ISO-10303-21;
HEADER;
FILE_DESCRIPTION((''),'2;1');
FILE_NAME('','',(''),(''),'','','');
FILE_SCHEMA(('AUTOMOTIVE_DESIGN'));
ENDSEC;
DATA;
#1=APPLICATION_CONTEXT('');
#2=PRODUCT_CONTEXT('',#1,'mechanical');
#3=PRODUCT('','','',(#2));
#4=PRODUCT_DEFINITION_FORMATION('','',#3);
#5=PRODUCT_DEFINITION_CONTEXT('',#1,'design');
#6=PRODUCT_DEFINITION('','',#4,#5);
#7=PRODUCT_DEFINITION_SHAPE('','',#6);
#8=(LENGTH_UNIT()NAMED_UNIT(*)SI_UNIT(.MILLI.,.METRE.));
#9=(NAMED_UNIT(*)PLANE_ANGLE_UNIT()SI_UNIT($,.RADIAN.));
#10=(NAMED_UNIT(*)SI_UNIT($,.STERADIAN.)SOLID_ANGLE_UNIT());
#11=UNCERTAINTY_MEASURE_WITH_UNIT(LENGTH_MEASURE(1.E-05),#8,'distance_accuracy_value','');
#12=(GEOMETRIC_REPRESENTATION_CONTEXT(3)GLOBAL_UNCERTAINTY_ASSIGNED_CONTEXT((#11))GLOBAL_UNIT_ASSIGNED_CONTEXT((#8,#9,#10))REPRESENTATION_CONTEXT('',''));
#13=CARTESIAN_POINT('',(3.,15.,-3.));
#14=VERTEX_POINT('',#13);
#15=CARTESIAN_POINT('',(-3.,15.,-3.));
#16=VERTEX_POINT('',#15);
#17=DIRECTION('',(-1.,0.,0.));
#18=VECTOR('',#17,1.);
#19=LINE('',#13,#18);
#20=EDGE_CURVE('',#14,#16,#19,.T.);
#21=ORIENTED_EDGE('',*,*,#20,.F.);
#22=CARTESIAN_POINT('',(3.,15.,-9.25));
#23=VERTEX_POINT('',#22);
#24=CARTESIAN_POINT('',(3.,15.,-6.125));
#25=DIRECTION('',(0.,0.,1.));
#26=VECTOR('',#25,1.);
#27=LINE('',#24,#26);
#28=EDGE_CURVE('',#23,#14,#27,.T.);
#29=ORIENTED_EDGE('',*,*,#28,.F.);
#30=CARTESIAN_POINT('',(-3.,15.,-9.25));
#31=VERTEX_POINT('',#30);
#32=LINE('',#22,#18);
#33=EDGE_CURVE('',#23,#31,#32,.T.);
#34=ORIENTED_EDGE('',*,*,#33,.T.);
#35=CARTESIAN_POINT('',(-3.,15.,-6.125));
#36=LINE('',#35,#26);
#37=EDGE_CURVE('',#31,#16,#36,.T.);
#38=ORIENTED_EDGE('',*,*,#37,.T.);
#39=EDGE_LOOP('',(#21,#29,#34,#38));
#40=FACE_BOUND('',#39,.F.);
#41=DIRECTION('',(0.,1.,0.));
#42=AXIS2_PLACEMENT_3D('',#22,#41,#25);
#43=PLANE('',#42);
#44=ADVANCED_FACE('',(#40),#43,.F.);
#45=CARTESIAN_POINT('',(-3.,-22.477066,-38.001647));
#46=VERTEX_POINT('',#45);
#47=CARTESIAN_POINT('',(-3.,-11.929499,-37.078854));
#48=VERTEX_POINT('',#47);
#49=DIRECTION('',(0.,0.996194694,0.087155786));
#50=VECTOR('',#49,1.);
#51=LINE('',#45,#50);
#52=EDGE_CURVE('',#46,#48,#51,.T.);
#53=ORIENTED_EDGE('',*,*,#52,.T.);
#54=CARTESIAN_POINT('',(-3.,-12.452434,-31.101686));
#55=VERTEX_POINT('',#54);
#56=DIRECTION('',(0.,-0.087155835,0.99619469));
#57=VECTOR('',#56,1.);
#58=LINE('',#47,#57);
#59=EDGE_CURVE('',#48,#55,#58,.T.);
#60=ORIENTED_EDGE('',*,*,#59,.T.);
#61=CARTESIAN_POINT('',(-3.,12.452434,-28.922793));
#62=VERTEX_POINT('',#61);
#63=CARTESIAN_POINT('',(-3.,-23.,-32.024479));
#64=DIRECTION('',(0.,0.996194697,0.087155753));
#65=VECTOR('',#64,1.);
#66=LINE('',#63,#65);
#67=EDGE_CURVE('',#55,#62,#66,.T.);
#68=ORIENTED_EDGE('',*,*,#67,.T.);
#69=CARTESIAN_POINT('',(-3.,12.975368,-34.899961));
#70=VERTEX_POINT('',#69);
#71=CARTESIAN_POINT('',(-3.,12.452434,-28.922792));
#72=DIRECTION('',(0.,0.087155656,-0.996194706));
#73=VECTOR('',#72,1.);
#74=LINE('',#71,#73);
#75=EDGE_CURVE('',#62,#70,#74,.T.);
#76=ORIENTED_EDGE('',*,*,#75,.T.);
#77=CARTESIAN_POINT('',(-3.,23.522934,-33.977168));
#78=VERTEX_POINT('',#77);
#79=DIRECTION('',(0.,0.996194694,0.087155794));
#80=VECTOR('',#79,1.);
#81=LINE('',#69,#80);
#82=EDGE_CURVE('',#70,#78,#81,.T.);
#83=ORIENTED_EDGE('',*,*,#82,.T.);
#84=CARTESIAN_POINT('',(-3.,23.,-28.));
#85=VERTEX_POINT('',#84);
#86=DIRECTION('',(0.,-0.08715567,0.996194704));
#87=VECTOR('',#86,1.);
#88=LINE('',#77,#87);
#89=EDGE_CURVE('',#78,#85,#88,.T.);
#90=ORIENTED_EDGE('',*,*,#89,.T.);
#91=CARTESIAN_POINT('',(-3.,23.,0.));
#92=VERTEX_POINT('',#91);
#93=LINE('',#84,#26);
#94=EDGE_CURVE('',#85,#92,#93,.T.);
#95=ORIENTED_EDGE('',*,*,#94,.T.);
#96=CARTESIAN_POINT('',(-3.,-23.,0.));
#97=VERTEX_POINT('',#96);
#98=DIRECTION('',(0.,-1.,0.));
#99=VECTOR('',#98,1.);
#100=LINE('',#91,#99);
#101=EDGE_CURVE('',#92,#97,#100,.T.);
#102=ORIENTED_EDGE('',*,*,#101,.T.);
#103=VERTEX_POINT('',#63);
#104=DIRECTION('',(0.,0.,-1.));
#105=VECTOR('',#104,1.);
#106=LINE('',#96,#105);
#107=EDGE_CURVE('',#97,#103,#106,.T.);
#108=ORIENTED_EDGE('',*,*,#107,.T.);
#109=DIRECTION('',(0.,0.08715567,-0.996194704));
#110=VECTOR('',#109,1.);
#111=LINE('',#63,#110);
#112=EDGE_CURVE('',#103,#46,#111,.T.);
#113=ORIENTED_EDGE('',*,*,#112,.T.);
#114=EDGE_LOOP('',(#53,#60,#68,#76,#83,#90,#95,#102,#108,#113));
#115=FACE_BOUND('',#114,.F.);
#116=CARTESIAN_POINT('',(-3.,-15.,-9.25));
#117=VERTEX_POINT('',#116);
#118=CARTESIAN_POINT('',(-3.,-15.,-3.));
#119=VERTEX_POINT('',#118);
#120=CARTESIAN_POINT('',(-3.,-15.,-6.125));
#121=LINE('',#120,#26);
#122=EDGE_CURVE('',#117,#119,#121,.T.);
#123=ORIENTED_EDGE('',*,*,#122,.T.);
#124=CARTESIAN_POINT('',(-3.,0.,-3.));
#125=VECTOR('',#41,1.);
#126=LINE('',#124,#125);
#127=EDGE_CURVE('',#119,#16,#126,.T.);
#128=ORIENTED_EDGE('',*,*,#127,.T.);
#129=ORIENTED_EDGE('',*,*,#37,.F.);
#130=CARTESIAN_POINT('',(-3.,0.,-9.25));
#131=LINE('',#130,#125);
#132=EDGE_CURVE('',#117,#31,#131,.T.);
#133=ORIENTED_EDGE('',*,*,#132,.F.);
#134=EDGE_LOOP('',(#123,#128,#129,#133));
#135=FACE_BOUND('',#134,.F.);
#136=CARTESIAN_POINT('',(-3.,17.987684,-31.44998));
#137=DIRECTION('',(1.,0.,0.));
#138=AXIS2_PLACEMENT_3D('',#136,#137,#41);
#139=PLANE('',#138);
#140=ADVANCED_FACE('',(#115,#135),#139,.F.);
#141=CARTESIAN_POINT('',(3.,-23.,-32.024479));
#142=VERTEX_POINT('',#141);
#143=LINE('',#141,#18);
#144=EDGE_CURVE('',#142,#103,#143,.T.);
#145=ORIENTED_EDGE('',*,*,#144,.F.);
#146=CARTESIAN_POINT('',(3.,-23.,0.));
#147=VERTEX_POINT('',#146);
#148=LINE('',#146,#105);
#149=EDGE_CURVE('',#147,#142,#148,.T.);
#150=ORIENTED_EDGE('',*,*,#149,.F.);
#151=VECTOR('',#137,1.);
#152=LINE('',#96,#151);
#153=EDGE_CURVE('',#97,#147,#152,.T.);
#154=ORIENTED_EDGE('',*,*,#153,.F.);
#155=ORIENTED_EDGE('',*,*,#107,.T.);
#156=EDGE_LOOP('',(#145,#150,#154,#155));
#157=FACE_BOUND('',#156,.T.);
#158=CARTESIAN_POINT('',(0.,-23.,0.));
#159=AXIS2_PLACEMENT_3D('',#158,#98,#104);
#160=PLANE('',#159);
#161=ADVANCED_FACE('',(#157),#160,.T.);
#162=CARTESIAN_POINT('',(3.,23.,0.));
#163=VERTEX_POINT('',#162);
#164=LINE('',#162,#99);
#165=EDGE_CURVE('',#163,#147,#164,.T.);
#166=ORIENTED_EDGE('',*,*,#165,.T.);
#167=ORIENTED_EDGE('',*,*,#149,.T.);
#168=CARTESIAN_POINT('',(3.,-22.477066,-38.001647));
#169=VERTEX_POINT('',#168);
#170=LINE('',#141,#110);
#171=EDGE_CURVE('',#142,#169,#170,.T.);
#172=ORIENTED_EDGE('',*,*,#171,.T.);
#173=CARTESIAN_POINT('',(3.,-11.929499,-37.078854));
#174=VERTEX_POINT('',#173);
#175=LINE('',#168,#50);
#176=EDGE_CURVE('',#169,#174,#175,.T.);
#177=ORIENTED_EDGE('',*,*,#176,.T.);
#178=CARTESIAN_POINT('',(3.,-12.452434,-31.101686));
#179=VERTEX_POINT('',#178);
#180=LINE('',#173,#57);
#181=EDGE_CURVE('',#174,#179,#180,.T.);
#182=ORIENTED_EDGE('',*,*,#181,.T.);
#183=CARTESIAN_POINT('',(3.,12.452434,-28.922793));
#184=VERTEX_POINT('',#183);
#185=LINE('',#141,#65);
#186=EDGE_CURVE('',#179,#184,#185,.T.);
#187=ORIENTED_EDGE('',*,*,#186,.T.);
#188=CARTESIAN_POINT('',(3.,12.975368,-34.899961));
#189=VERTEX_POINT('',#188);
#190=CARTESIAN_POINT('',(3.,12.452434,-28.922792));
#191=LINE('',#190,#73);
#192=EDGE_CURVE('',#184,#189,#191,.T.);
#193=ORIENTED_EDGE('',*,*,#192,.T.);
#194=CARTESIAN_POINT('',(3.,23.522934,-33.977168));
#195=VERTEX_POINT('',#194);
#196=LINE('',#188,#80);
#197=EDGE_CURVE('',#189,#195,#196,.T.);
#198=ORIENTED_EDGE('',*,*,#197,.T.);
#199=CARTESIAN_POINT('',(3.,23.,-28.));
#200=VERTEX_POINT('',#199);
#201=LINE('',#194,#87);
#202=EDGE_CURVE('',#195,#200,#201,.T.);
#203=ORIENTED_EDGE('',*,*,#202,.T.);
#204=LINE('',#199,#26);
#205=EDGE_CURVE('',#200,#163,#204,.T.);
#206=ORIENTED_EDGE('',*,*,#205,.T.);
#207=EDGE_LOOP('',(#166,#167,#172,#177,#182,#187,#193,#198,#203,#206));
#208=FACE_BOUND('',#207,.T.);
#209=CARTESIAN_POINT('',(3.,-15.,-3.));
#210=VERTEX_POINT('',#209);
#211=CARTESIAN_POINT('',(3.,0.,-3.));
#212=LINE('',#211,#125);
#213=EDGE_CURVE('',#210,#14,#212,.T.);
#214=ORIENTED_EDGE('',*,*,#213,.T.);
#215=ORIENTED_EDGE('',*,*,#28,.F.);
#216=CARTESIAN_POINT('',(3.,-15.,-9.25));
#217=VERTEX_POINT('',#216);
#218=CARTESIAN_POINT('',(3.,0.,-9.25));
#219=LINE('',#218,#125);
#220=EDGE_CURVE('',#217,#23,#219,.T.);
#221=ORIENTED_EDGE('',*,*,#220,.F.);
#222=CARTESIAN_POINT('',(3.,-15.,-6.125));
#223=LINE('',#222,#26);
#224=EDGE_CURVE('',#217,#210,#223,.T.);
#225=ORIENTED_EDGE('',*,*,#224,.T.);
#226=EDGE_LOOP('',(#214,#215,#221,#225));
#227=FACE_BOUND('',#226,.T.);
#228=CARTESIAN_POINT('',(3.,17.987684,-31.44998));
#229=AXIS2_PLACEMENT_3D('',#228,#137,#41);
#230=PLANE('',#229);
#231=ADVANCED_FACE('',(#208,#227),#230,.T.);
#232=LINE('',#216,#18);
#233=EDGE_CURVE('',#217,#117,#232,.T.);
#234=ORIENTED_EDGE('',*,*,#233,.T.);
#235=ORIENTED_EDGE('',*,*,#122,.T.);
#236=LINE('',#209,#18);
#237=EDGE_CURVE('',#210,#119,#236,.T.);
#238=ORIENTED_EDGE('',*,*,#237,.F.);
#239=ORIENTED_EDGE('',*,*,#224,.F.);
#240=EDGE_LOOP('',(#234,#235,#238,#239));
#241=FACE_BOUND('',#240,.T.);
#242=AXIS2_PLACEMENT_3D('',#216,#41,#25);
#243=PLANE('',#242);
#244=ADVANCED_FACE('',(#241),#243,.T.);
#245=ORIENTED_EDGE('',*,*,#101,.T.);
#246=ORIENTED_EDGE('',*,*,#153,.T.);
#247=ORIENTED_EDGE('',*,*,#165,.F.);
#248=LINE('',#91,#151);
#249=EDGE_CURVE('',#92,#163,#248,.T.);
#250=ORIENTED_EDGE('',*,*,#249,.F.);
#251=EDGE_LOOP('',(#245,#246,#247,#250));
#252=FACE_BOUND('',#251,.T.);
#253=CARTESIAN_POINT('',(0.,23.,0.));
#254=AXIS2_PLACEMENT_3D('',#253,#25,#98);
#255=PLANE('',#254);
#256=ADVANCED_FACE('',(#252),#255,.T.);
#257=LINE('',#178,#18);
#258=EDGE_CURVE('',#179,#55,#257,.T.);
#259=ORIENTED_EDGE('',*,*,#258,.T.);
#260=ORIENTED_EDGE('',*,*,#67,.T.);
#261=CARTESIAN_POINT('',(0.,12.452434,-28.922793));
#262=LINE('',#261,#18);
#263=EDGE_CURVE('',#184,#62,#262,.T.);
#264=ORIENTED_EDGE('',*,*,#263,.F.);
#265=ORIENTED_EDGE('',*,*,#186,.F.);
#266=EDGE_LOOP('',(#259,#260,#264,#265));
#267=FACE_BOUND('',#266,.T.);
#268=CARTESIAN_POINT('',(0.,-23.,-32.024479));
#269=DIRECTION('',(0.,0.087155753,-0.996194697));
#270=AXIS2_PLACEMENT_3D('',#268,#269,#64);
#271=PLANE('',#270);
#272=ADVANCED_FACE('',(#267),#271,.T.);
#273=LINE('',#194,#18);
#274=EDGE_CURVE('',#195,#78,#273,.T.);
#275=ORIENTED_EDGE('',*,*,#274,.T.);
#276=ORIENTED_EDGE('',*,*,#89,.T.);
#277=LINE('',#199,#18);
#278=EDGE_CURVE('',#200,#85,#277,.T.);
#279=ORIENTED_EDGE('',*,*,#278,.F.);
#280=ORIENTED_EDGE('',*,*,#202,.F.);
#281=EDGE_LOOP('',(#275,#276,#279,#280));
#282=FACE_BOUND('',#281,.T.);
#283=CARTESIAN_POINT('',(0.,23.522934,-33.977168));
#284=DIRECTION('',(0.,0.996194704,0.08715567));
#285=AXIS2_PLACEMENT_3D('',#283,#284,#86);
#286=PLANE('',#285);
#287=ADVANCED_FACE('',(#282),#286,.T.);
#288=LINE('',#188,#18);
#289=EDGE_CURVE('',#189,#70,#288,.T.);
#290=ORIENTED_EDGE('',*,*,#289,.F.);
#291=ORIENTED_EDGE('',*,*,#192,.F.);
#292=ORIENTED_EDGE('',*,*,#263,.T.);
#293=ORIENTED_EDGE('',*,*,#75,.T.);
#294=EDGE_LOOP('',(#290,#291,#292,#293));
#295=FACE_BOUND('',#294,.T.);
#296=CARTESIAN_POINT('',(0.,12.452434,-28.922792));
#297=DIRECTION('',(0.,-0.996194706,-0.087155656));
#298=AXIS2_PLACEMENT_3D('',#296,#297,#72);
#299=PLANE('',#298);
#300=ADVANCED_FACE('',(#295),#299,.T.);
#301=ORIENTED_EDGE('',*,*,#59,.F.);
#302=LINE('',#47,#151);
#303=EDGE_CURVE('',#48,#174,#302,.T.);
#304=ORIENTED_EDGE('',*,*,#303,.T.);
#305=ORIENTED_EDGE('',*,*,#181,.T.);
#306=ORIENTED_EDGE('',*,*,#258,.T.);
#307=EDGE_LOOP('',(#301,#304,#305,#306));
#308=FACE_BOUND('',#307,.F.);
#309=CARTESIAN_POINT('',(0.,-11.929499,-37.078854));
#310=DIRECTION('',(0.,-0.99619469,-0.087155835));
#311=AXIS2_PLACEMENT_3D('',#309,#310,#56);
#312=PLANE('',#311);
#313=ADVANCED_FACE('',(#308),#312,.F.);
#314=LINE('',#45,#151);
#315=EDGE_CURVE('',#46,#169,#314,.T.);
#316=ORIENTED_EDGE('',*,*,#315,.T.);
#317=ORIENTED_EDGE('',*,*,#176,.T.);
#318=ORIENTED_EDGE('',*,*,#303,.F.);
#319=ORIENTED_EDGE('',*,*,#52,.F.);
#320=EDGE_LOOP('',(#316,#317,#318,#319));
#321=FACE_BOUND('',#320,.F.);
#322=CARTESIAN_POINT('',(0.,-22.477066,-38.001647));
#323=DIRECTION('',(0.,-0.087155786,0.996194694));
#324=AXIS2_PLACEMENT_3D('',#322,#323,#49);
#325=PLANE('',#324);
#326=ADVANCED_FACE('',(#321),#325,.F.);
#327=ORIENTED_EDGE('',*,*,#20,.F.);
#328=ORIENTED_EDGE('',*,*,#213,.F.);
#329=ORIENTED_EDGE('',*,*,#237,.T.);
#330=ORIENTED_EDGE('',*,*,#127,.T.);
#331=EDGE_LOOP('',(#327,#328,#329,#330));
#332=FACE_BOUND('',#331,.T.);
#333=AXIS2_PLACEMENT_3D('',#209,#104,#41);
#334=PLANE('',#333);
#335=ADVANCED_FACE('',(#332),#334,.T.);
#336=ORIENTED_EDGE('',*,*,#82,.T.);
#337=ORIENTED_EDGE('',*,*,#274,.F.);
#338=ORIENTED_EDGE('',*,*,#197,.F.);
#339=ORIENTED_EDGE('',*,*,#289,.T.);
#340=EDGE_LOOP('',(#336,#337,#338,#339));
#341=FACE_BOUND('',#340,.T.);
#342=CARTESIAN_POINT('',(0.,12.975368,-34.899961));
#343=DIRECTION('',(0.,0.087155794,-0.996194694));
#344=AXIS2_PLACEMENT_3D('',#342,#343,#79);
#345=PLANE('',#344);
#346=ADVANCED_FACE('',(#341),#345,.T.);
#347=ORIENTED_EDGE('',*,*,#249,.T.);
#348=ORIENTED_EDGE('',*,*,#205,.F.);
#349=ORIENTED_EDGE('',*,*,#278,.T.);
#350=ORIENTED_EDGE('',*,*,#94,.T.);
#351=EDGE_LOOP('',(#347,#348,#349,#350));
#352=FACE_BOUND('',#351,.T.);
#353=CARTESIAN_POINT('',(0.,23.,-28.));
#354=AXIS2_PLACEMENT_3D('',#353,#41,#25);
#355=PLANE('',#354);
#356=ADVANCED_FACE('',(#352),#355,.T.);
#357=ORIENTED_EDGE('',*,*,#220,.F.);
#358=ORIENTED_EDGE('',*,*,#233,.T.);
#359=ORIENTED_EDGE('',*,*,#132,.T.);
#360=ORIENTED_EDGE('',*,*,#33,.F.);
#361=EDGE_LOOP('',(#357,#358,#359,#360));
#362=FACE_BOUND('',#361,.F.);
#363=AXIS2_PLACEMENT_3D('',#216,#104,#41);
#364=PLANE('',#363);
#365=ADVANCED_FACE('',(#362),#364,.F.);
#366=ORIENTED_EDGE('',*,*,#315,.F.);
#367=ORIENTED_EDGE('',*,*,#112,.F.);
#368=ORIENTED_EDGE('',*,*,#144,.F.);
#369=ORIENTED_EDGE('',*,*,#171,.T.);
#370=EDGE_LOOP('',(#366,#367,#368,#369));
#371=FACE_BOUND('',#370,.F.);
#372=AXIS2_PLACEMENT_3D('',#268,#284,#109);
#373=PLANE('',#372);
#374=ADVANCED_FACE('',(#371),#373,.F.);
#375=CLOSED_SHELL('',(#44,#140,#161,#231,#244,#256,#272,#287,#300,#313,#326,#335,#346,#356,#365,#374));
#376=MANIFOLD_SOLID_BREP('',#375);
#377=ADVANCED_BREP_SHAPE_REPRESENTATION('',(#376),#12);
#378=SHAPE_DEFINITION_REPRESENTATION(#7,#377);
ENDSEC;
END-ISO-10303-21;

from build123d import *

# Parameters (mm, degrees)
F1_DEPTH = 3
F3_DEPTH = 3
F4_W     = 30
F4_H     = 6.25
F5_DEPTH = 6


with BuildPart() as f1:
    # F0 (on Right) → F1 (new body, symmetric)
    with BuildSketch(Plane.YZ):
        Polygon((23, -28), (23, 0), (-23, 0), (-23, -32.024479), align=None)
    extrude(amount=F1_DEPTH, both=True)

    # F2 (on Right) → F3 (join, symmetric)
    with BuildSketch(Plane.YZ):
        Polygon((-23, -32.024479), (-22.477066, -38.001647), (-11.929499, -37.078854), (-12.452434, -31.101686), align=None)
        Polygon((23.522934, -33.977168), (23, -28), (12.452434, -28.922792), (12.975368, -34.899961), align=None)
    extrude(amount=F3_DEPTH, both=True)

    # F4 (on face) → F5 (cut, through all)
    with BuildSketch(Plane.YZ.offset(3)):
        with Locations((0, -6.125)):
            Rectangle(F4_W, F4_H)
    extrude(amount=-F5_DEPTH, mode=Mode.SUBTRACT)


solid = f1.part
